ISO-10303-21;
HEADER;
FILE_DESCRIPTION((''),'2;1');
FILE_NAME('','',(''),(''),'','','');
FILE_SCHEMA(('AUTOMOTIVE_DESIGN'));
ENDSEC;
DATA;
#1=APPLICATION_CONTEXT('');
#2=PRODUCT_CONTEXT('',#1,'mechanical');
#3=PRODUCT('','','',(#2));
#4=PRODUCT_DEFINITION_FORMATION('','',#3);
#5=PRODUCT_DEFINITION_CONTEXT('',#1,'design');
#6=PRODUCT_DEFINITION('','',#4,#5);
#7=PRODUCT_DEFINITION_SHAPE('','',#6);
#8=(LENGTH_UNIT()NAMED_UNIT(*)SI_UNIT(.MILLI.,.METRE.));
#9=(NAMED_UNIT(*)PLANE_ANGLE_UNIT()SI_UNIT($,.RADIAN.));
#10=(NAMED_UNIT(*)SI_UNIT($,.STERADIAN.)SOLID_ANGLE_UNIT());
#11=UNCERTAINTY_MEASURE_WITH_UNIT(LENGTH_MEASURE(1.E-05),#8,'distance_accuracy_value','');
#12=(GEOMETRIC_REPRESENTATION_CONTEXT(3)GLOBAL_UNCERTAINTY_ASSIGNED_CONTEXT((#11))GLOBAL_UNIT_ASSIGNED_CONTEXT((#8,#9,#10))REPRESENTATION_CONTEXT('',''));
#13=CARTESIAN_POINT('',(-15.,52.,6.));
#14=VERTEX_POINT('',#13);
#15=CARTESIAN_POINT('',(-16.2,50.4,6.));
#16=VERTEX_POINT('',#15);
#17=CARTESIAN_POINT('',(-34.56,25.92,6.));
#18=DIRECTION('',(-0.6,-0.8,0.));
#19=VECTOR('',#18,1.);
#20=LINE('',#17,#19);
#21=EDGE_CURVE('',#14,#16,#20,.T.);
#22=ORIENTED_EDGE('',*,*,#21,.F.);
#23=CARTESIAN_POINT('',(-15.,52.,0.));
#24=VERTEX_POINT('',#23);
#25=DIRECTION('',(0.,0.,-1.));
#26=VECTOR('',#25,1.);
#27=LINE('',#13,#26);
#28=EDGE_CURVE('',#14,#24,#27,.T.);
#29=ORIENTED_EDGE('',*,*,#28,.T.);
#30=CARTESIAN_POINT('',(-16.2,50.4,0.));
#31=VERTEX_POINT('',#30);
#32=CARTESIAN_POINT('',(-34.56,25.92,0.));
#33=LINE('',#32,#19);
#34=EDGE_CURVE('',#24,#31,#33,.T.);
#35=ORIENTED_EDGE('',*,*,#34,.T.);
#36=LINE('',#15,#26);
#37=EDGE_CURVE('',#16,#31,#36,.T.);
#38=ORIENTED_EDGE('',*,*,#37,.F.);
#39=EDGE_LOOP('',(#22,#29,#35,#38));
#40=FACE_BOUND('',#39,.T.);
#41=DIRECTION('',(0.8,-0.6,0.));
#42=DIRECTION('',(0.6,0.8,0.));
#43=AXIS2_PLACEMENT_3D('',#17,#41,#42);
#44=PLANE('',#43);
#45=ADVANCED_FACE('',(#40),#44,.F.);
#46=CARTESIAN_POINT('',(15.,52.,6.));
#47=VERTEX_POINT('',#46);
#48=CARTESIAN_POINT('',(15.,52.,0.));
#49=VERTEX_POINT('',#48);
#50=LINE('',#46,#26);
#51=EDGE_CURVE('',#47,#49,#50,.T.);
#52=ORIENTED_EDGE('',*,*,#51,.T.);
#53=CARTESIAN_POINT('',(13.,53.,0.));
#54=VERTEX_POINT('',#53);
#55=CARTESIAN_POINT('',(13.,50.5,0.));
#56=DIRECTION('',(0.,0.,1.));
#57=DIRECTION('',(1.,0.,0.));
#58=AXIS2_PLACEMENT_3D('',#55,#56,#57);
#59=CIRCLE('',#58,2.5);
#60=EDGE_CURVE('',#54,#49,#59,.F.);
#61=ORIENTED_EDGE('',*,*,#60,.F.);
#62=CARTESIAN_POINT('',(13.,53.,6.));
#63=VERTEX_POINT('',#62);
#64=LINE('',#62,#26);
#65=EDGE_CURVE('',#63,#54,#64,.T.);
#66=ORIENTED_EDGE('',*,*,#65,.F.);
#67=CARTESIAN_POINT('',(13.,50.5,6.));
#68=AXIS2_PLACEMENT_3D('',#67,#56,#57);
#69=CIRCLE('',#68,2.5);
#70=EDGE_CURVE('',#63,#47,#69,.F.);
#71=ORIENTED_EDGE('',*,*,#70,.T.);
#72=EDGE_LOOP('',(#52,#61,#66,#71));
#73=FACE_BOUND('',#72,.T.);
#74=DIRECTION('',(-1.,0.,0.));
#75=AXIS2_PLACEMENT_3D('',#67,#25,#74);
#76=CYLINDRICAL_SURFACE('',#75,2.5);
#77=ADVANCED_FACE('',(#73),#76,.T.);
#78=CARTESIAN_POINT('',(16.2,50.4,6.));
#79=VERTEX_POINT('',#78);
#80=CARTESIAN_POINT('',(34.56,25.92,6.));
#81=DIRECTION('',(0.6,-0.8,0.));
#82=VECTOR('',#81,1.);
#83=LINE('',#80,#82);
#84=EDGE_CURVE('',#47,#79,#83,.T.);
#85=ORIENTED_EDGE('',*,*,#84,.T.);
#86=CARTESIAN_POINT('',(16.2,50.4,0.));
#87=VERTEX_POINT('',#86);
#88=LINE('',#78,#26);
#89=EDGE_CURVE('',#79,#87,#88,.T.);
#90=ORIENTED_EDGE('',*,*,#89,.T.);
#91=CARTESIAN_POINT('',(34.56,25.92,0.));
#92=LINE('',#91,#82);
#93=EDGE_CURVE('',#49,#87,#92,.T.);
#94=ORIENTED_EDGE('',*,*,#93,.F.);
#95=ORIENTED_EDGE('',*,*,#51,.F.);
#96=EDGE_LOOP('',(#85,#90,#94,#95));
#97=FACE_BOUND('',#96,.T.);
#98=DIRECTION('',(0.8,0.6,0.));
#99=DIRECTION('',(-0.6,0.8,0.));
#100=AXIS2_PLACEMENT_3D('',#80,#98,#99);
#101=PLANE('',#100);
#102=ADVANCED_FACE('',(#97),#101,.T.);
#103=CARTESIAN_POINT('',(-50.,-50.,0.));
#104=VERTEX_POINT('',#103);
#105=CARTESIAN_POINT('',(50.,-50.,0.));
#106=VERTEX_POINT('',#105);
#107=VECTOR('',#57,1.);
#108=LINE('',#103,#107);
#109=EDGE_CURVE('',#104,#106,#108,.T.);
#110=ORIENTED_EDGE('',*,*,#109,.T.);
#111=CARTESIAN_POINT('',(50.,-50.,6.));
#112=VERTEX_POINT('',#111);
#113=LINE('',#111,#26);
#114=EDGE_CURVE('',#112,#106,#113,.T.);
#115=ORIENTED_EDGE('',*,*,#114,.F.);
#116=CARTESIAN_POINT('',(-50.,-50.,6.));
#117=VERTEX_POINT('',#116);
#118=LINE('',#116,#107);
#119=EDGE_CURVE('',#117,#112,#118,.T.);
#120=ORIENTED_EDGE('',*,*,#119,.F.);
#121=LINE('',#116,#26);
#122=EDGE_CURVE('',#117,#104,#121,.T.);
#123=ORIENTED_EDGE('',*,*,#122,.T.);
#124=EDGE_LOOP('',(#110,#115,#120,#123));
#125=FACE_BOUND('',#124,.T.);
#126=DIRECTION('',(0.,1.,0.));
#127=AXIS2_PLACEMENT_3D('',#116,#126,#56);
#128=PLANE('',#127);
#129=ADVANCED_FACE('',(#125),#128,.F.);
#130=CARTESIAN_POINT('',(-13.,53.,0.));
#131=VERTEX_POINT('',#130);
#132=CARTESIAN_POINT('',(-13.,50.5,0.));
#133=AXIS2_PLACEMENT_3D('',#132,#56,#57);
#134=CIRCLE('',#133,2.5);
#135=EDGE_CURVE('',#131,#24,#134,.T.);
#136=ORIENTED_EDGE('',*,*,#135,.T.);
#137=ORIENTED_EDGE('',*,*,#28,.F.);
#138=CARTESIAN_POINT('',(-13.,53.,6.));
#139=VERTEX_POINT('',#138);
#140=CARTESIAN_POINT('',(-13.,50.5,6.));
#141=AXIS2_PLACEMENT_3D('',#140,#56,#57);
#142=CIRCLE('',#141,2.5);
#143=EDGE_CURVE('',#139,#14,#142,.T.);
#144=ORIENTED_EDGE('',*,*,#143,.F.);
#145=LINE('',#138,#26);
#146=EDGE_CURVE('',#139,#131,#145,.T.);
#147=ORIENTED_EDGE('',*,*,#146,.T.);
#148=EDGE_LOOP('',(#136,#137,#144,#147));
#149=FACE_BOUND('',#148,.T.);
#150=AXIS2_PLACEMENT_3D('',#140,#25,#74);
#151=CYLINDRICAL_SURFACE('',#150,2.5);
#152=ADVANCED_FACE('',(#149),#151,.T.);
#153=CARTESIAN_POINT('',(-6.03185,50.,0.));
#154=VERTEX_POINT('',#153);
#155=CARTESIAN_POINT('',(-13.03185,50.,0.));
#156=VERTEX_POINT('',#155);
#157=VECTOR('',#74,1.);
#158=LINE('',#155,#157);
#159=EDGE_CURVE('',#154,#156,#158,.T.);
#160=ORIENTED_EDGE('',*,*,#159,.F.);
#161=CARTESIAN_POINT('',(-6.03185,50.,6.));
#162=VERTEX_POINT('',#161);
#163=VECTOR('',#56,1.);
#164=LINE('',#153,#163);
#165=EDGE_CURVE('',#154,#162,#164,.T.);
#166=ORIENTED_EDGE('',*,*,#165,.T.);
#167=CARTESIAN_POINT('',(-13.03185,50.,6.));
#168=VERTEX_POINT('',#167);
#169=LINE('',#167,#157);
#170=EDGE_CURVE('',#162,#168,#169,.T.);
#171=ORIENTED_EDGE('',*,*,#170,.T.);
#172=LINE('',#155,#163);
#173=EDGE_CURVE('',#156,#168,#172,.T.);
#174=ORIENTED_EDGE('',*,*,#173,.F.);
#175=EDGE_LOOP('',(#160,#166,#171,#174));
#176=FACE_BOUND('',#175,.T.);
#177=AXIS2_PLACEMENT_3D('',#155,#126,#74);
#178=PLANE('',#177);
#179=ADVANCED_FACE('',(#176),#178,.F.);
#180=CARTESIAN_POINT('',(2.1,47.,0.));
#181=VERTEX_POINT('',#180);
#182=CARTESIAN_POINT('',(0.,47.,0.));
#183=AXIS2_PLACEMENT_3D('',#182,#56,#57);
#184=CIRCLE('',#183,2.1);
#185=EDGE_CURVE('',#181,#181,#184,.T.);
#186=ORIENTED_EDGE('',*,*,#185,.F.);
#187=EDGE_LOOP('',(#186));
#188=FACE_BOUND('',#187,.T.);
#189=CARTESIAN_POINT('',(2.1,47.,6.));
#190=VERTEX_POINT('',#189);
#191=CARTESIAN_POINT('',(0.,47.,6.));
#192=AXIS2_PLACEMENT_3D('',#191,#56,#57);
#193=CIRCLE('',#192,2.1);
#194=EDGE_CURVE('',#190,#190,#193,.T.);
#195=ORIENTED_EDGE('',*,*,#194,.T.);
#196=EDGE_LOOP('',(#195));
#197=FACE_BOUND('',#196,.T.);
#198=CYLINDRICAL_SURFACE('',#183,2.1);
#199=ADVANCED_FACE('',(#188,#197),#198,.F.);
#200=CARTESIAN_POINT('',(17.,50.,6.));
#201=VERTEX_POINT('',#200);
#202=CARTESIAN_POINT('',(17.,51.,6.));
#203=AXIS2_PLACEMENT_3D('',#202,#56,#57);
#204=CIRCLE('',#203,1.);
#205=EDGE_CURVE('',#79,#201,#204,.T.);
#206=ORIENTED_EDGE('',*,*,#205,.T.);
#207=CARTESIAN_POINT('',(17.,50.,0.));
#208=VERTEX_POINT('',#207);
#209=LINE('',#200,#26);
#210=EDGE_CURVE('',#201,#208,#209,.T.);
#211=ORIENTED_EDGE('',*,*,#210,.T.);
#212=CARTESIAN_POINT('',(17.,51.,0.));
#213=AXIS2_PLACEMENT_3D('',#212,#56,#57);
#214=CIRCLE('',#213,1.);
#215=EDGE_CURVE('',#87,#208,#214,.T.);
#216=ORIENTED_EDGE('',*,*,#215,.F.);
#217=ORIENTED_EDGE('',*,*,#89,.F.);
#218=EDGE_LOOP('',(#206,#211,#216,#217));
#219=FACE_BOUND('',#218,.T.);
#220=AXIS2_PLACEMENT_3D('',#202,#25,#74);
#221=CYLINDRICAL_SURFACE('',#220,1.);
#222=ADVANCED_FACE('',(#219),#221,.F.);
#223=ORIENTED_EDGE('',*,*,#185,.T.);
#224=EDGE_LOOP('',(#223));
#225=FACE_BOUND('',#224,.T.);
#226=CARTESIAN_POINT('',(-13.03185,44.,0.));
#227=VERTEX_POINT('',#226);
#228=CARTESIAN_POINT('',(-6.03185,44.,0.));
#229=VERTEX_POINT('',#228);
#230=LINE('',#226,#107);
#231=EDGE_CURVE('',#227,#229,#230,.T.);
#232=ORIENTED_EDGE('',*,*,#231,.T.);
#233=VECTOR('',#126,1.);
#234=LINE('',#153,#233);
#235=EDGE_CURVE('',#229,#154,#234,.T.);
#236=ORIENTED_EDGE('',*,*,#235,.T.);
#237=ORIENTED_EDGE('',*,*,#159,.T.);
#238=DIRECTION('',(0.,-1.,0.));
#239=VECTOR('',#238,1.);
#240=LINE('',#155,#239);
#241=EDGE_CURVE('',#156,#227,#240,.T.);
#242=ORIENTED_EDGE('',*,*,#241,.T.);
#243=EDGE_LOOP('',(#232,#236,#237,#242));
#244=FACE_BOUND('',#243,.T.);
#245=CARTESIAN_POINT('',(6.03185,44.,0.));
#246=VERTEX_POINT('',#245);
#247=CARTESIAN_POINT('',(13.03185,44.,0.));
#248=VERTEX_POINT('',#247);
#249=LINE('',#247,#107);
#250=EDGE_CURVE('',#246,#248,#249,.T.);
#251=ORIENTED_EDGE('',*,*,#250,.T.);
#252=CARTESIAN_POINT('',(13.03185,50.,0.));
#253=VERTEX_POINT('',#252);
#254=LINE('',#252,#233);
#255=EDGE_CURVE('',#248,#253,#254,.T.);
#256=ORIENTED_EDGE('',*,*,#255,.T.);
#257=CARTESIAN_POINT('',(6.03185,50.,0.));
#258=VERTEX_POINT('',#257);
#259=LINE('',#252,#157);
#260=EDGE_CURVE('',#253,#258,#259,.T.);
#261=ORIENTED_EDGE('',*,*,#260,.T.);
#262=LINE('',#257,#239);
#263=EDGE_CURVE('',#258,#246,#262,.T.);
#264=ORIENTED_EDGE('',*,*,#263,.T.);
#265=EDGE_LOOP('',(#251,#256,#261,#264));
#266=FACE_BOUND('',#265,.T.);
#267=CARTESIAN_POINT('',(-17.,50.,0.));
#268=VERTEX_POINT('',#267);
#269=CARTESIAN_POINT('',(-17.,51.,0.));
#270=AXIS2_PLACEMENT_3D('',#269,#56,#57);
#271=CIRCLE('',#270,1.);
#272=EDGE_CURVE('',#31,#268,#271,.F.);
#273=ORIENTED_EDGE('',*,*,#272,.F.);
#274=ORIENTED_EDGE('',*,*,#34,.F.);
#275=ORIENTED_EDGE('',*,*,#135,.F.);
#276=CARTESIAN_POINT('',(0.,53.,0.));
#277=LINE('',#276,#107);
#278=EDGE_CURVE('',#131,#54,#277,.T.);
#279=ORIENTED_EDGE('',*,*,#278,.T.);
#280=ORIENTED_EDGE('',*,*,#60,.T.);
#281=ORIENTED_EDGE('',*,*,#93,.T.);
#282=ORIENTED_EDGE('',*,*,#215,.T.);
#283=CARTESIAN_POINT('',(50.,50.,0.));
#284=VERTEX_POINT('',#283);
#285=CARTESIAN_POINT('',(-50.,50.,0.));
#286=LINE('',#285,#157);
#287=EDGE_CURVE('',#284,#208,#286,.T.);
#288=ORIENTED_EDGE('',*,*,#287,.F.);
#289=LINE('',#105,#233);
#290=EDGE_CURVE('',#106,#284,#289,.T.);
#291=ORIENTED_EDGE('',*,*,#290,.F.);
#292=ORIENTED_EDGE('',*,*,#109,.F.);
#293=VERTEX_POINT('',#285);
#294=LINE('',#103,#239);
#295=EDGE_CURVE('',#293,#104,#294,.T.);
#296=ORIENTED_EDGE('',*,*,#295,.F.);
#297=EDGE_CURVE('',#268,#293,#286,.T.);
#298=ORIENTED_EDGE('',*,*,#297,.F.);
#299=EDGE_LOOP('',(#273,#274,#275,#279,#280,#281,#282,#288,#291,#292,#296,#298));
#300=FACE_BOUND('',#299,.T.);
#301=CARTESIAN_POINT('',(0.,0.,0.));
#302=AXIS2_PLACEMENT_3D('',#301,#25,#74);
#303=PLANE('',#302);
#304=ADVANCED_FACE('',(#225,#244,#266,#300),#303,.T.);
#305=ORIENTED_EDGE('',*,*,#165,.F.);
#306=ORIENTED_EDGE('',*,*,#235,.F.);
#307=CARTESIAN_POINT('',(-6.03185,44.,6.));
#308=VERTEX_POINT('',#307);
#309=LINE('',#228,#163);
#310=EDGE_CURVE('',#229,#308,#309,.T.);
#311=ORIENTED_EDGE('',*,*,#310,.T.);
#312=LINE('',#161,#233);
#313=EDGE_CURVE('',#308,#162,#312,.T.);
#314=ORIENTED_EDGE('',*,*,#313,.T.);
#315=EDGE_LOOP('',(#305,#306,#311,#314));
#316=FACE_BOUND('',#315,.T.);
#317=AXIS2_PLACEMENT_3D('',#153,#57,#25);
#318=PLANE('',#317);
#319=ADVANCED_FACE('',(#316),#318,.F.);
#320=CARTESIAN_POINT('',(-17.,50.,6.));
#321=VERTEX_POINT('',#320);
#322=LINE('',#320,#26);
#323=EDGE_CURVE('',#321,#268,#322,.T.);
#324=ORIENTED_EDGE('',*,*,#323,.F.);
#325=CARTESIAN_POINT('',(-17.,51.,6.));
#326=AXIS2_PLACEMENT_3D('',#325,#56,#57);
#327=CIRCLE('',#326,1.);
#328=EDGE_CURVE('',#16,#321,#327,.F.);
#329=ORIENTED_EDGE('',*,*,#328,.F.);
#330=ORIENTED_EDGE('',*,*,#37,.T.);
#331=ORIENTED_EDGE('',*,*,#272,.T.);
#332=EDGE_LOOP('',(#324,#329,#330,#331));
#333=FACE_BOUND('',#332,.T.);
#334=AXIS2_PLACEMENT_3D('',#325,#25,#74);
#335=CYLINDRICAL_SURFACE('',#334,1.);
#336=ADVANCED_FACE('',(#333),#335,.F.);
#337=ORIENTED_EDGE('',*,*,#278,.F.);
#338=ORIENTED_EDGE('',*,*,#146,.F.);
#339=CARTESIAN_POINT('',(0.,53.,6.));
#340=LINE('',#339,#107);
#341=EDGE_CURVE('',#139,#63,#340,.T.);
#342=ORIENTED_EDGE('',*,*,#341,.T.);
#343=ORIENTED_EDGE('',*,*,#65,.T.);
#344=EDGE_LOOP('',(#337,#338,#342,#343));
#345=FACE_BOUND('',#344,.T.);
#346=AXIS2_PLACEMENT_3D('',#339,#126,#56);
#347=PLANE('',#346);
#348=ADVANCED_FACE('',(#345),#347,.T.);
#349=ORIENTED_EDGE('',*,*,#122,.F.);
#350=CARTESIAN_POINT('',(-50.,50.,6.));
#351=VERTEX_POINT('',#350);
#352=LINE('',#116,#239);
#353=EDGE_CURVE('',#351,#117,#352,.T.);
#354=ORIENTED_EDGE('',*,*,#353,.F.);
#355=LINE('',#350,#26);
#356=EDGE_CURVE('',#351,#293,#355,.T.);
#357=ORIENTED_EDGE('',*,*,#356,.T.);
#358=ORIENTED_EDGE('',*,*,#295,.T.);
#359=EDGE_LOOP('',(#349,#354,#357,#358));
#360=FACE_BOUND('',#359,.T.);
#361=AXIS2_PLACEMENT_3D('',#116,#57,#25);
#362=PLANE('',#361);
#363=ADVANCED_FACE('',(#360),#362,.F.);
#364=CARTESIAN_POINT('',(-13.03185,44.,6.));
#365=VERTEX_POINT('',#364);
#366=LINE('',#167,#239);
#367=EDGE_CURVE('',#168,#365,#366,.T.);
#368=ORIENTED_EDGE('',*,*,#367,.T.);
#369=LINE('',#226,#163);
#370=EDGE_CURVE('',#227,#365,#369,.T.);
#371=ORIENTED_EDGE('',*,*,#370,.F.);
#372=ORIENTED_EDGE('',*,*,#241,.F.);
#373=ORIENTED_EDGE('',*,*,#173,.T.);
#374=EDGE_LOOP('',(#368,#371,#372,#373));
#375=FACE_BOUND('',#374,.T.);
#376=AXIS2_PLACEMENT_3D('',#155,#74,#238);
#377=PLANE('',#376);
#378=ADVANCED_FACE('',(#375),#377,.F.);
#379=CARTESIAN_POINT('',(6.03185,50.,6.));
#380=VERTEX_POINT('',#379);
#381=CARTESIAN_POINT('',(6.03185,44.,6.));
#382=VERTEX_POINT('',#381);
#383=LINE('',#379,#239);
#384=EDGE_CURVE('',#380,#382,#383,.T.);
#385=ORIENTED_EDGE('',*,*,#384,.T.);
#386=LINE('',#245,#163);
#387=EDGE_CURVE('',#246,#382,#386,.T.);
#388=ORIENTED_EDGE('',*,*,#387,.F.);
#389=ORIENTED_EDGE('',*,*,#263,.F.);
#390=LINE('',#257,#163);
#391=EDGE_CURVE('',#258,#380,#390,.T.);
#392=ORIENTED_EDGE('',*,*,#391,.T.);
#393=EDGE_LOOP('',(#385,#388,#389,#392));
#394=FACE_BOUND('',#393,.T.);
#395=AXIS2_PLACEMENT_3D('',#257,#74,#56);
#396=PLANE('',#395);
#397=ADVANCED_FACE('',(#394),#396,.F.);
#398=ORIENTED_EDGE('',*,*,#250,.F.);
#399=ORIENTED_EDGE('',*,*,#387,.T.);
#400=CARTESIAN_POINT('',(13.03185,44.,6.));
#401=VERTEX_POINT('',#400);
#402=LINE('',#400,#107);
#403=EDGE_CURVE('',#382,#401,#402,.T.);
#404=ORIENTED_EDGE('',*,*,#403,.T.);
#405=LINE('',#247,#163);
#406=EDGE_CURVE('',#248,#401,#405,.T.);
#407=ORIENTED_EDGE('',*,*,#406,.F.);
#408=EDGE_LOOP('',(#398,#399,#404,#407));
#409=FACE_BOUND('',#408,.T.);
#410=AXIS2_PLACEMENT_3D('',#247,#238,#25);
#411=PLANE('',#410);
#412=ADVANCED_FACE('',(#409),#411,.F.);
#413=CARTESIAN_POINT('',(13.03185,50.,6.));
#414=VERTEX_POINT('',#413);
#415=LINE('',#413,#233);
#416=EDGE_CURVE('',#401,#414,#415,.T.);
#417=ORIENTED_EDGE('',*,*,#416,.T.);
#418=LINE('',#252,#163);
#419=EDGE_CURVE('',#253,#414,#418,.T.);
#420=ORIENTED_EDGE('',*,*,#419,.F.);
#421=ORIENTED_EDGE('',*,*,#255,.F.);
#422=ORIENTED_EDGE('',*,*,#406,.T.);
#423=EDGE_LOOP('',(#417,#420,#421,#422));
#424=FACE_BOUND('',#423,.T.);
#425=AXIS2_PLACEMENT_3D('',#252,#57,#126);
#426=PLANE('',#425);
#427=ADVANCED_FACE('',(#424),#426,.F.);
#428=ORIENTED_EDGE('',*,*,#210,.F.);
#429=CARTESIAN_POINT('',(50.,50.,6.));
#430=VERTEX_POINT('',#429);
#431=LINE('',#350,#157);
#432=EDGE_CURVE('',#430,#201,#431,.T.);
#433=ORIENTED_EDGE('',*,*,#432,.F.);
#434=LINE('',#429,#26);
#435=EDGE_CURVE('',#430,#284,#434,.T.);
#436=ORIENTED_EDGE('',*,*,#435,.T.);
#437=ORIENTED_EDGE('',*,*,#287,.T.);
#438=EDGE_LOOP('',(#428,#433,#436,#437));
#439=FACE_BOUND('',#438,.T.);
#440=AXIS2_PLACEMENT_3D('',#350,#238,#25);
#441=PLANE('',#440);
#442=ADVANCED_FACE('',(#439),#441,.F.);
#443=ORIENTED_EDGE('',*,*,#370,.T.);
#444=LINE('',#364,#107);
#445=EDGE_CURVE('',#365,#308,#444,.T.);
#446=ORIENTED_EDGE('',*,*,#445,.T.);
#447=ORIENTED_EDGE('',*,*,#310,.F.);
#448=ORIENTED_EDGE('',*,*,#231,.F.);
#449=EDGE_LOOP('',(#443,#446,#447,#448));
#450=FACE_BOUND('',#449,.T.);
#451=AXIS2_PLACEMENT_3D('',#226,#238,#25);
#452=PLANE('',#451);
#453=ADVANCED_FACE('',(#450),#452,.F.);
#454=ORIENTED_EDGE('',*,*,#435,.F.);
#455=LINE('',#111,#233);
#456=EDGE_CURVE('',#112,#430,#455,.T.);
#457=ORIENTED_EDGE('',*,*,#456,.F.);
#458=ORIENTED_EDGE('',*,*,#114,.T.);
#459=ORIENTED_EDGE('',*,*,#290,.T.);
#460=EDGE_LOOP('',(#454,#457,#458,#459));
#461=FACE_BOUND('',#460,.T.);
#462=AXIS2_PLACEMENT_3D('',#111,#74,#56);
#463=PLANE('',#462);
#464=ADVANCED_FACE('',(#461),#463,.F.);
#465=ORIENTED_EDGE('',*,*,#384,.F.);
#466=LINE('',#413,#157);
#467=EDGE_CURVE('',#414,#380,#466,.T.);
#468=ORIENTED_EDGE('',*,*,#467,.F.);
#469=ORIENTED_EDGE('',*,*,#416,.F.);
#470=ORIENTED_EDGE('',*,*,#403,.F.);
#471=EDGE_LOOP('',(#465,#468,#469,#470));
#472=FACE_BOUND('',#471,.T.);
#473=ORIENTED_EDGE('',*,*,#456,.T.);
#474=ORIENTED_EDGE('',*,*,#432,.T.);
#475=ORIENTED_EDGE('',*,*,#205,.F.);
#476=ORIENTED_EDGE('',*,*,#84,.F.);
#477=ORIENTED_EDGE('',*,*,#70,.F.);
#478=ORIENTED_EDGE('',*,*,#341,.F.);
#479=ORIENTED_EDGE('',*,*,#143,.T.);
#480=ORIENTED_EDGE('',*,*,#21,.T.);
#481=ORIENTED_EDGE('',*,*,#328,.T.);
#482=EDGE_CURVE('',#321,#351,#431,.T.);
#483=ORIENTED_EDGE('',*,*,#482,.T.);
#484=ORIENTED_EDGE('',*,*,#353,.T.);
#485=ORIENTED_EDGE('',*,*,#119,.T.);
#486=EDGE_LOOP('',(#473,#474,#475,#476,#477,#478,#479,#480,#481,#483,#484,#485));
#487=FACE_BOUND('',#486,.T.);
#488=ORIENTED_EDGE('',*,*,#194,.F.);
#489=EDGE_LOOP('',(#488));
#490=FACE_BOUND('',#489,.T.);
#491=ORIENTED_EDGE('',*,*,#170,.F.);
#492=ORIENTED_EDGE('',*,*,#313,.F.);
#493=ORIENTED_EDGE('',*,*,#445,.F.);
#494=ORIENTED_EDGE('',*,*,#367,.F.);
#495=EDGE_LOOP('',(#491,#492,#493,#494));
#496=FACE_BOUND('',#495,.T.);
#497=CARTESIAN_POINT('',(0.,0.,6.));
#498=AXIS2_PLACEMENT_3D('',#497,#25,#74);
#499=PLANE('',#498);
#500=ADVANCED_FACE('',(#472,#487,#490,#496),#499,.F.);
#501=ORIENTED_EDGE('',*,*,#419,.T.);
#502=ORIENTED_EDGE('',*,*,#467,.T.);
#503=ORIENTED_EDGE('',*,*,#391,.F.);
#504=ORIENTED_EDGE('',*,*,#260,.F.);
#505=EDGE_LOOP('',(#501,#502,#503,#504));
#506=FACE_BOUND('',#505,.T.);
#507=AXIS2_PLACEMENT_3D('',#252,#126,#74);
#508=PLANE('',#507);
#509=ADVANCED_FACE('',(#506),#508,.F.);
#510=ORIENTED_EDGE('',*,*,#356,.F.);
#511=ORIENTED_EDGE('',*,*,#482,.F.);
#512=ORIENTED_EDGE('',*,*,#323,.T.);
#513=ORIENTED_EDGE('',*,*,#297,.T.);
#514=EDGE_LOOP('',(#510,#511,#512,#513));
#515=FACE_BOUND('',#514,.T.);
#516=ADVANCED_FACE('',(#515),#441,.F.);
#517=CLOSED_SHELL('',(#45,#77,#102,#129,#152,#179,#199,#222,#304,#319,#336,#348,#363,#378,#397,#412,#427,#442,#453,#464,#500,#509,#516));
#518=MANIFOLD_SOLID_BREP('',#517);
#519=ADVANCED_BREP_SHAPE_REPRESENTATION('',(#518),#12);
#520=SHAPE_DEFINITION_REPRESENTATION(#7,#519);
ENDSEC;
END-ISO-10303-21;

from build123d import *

# Parameters (mm, degrees)
SKETCH_1_W          = 100
SKETCH_1_H          = 100
EXTRUDE_1_DEPTH     = 6
EXTRUDE_2_DEPTH     = 6
SKETCH_3_R          = 2.1
SKETCH_3_W          = 7
SKETCH_3_H          = 6
CUT_EXTRUDE_1_DEPTH = 7


with BuildPart() as part:
    # Эскиз1 → Бобышка-Вытянуть1 (new body)
    with BuildSketch(Plane.XY):
        Rectangle(SKETCH_1_W, SKETCH_1_H)
    extrude(amount=EXTRUDE_1_DEPTH)

    # Эскиз2 → Бобышка-Вытянуть2 (add)
    with BuildSketch(Plane.XY):
        with BuildLine():
            Line((13, 53), (-13, 53))
            ThreePointArc((-13, 53), (-14.118033989, 52.736067977), (-15, 52))
            Line((-15, 52), (-16.2, 50.4))
            ThreePointArc((-16.2, 50.4), (-16.552786405, 50.105572809), (-17, 50))
            Line((-17, 50), (17, 50))
            ThreePointArc((17, 50), (16.552786405, 50.105572809), (16.2, 50.4))
            Line((16.2, 50.4), (15, 52))
            ThreePointArc((15, 52), (14.118033989, 52.736067977), (13, 53))
        make_face()
    extrude(amount=EXTRUDE_2_DEPTH)

    # Эскиз3 → Вырез-Вытянуть1 (cut, through all)
    with BuildSketch(Plane.XY.offset(6)):
        with Locations((0, 47)):
            Circle(SKETCH_3_R)
        with Locations((9.531849908, 47)):
            Rectangle(SKETCH_3_W, SKETCH_3_H)
        with Locations((-9.531849908, 47)):
            Rectangle(SKETCH_3_W, SKETCH_3_H)
    extrude(amount=-CUT_EXTRUDE_1_DEPTH, mode=Mode.SUBTRACT)


solid = part.part
